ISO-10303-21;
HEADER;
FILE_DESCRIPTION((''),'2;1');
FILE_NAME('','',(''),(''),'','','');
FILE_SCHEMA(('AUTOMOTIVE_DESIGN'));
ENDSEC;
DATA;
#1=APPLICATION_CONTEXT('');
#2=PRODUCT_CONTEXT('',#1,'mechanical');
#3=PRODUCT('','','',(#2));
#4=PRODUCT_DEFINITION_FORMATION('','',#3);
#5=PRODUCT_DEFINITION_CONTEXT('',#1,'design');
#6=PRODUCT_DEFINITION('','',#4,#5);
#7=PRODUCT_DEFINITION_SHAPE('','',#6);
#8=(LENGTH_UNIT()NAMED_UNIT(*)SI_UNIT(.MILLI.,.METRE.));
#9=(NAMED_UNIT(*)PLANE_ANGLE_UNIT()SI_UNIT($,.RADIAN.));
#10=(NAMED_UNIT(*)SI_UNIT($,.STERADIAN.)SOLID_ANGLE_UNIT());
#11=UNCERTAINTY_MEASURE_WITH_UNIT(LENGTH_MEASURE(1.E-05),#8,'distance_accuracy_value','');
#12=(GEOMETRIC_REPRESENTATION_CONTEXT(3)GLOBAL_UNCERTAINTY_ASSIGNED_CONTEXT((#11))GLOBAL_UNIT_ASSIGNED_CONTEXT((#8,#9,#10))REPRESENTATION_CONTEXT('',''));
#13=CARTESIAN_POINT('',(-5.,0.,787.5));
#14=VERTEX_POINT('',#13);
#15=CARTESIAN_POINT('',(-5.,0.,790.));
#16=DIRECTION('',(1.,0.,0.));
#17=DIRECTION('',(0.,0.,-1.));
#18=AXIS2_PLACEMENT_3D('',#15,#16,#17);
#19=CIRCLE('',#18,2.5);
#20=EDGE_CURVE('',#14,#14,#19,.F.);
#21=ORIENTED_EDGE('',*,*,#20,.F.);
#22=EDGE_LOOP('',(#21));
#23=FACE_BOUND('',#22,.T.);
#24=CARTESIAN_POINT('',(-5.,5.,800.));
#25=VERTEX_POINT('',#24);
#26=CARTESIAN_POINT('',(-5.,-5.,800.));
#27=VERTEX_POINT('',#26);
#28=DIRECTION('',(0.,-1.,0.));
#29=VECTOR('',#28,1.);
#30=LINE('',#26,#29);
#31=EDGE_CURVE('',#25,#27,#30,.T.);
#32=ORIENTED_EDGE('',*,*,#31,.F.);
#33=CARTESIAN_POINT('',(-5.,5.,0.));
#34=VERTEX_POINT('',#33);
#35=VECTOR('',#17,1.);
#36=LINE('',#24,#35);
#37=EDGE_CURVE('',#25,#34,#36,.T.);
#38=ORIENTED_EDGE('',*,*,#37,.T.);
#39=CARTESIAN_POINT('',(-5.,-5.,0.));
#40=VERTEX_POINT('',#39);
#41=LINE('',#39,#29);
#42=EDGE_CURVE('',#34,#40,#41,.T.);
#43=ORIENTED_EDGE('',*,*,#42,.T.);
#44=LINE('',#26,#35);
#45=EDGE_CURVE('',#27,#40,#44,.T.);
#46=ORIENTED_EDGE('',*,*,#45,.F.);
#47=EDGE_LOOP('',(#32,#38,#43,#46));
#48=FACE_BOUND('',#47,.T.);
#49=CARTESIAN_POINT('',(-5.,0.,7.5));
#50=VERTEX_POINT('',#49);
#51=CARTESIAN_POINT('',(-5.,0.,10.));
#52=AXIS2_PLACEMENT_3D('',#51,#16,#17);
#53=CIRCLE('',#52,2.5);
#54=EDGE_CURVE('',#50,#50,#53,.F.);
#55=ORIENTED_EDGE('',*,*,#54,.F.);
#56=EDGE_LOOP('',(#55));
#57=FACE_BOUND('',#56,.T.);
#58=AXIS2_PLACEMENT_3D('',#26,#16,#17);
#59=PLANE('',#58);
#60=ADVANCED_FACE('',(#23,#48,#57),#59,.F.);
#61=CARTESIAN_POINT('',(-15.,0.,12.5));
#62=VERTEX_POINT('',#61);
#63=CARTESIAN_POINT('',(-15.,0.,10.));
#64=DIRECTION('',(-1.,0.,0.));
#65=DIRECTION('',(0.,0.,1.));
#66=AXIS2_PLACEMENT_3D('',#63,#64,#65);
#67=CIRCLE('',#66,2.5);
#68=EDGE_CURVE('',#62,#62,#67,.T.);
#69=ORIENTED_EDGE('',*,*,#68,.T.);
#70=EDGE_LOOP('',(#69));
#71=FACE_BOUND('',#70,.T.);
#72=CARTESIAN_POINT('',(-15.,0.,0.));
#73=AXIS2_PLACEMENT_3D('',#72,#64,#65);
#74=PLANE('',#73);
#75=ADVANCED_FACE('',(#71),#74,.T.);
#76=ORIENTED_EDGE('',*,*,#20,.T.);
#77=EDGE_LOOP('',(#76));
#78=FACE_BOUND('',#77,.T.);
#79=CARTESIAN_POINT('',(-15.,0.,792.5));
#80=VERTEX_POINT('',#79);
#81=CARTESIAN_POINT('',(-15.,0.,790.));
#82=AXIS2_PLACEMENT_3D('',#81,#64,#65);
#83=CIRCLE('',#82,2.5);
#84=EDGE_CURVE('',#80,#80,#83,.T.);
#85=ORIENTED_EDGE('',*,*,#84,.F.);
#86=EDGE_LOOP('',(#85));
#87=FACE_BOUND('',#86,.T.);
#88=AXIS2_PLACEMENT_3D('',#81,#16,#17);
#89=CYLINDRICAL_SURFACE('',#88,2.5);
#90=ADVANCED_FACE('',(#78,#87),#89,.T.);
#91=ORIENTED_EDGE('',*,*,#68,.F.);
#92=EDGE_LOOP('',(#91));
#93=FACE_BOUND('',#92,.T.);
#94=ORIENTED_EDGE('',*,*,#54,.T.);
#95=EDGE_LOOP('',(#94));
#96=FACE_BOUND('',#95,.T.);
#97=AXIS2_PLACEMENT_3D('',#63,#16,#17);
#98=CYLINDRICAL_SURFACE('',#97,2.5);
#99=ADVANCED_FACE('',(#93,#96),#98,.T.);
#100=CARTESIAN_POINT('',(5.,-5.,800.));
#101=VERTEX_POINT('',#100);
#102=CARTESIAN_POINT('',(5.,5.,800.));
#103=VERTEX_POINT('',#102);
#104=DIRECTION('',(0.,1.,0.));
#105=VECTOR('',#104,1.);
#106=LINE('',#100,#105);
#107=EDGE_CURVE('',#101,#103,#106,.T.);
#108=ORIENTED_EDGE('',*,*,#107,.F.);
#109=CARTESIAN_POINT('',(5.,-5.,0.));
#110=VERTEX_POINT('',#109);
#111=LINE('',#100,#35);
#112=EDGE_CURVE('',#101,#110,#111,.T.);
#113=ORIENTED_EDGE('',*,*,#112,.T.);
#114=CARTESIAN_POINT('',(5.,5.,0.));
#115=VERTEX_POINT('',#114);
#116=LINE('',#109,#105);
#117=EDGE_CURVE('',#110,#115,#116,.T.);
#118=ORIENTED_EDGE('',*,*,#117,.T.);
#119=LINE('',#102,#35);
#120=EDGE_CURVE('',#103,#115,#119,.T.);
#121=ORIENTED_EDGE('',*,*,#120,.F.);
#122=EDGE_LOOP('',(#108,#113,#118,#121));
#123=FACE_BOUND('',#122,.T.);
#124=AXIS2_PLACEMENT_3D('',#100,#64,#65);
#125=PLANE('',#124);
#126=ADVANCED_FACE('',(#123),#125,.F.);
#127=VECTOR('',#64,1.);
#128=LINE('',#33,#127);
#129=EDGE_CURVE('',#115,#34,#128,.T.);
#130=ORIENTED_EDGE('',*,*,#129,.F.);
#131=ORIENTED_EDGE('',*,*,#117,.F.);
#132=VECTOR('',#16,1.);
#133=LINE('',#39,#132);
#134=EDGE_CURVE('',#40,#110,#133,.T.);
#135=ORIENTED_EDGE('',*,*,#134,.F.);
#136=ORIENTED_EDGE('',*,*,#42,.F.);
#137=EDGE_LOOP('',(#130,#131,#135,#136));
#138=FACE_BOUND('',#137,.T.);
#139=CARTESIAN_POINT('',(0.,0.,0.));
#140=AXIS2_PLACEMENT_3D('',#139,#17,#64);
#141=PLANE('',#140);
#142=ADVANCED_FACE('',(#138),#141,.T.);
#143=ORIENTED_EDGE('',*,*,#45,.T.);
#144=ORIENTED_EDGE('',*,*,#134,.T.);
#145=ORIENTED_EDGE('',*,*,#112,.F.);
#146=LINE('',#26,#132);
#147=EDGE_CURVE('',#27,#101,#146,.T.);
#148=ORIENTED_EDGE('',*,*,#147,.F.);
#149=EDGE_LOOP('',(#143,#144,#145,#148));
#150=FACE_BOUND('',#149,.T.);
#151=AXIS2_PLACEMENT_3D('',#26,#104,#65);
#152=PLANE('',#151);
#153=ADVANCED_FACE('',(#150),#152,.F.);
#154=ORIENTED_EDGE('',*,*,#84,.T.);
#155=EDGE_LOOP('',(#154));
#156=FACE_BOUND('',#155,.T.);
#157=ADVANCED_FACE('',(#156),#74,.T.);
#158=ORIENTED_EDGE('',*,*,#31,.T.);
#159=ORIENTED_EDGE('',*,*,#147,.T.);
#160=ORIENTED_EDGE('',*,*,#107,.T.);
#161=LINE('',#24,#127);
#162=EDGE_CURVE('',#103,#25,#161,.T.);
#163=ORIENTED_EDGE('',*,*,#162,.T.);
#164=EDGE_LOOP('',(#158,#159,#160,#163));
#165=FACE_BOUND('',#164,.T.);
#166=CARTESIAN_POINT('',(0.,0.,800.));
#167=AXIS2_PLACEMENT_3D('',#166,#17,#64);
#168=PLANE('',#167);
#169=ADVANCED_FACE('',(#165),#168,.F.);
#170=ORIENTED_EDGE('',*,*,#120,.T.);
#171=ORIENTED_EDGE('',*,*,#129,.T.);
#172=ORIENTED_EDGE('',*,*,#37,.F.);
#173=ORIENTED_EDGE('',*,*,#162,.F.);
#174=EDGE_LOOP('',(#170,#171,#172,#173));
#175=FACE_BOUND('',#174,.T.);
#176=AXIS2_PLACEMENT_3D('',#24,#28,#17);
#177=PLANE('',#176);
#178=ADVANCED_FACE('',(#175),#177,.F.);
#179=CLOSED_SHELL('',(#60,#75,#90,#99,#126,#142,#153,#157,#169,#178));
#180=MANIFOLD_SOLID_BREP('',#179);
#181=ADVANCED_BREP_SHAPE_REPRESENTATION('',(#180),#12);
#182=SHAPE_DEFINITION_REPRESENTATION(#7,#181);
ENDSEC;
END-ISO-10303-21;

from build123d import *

# Parameters (mm, degrees)
SKETCH1_W           = 10
SKETCH1_H           = 10
BOSS_EXTRUDE1_DEPTH = 800
SKETCH4_R           = 2.5
BOSS_EXTRUDE3_DEPTH = 10


with BuildPart() as part:
    # Sketch1 → Boss-Extrude1 (new body)
    with BuildSketch(Plane.XY):
        Rectangle(SKETCH1_W, SKETCH1_H)
    extrude(amount=BOSS_EXTRUDE1_DEPTH)

    # Sketch4 → Boss-Extrude3 (add)
    with BuildSketch(Plane.ZY.offset(5)):
        with Locations(Location((10, 0, 0), (0, 0, 180))):
            Circle(SKETCH4_R)
        with Locations(Location((790, 0, 0), (0, 0, 180))):
            Circle(SKETCH4_R)
    extrude(amount=BOSS_EXTRUDE3_DEPTH)


solid = part.part
